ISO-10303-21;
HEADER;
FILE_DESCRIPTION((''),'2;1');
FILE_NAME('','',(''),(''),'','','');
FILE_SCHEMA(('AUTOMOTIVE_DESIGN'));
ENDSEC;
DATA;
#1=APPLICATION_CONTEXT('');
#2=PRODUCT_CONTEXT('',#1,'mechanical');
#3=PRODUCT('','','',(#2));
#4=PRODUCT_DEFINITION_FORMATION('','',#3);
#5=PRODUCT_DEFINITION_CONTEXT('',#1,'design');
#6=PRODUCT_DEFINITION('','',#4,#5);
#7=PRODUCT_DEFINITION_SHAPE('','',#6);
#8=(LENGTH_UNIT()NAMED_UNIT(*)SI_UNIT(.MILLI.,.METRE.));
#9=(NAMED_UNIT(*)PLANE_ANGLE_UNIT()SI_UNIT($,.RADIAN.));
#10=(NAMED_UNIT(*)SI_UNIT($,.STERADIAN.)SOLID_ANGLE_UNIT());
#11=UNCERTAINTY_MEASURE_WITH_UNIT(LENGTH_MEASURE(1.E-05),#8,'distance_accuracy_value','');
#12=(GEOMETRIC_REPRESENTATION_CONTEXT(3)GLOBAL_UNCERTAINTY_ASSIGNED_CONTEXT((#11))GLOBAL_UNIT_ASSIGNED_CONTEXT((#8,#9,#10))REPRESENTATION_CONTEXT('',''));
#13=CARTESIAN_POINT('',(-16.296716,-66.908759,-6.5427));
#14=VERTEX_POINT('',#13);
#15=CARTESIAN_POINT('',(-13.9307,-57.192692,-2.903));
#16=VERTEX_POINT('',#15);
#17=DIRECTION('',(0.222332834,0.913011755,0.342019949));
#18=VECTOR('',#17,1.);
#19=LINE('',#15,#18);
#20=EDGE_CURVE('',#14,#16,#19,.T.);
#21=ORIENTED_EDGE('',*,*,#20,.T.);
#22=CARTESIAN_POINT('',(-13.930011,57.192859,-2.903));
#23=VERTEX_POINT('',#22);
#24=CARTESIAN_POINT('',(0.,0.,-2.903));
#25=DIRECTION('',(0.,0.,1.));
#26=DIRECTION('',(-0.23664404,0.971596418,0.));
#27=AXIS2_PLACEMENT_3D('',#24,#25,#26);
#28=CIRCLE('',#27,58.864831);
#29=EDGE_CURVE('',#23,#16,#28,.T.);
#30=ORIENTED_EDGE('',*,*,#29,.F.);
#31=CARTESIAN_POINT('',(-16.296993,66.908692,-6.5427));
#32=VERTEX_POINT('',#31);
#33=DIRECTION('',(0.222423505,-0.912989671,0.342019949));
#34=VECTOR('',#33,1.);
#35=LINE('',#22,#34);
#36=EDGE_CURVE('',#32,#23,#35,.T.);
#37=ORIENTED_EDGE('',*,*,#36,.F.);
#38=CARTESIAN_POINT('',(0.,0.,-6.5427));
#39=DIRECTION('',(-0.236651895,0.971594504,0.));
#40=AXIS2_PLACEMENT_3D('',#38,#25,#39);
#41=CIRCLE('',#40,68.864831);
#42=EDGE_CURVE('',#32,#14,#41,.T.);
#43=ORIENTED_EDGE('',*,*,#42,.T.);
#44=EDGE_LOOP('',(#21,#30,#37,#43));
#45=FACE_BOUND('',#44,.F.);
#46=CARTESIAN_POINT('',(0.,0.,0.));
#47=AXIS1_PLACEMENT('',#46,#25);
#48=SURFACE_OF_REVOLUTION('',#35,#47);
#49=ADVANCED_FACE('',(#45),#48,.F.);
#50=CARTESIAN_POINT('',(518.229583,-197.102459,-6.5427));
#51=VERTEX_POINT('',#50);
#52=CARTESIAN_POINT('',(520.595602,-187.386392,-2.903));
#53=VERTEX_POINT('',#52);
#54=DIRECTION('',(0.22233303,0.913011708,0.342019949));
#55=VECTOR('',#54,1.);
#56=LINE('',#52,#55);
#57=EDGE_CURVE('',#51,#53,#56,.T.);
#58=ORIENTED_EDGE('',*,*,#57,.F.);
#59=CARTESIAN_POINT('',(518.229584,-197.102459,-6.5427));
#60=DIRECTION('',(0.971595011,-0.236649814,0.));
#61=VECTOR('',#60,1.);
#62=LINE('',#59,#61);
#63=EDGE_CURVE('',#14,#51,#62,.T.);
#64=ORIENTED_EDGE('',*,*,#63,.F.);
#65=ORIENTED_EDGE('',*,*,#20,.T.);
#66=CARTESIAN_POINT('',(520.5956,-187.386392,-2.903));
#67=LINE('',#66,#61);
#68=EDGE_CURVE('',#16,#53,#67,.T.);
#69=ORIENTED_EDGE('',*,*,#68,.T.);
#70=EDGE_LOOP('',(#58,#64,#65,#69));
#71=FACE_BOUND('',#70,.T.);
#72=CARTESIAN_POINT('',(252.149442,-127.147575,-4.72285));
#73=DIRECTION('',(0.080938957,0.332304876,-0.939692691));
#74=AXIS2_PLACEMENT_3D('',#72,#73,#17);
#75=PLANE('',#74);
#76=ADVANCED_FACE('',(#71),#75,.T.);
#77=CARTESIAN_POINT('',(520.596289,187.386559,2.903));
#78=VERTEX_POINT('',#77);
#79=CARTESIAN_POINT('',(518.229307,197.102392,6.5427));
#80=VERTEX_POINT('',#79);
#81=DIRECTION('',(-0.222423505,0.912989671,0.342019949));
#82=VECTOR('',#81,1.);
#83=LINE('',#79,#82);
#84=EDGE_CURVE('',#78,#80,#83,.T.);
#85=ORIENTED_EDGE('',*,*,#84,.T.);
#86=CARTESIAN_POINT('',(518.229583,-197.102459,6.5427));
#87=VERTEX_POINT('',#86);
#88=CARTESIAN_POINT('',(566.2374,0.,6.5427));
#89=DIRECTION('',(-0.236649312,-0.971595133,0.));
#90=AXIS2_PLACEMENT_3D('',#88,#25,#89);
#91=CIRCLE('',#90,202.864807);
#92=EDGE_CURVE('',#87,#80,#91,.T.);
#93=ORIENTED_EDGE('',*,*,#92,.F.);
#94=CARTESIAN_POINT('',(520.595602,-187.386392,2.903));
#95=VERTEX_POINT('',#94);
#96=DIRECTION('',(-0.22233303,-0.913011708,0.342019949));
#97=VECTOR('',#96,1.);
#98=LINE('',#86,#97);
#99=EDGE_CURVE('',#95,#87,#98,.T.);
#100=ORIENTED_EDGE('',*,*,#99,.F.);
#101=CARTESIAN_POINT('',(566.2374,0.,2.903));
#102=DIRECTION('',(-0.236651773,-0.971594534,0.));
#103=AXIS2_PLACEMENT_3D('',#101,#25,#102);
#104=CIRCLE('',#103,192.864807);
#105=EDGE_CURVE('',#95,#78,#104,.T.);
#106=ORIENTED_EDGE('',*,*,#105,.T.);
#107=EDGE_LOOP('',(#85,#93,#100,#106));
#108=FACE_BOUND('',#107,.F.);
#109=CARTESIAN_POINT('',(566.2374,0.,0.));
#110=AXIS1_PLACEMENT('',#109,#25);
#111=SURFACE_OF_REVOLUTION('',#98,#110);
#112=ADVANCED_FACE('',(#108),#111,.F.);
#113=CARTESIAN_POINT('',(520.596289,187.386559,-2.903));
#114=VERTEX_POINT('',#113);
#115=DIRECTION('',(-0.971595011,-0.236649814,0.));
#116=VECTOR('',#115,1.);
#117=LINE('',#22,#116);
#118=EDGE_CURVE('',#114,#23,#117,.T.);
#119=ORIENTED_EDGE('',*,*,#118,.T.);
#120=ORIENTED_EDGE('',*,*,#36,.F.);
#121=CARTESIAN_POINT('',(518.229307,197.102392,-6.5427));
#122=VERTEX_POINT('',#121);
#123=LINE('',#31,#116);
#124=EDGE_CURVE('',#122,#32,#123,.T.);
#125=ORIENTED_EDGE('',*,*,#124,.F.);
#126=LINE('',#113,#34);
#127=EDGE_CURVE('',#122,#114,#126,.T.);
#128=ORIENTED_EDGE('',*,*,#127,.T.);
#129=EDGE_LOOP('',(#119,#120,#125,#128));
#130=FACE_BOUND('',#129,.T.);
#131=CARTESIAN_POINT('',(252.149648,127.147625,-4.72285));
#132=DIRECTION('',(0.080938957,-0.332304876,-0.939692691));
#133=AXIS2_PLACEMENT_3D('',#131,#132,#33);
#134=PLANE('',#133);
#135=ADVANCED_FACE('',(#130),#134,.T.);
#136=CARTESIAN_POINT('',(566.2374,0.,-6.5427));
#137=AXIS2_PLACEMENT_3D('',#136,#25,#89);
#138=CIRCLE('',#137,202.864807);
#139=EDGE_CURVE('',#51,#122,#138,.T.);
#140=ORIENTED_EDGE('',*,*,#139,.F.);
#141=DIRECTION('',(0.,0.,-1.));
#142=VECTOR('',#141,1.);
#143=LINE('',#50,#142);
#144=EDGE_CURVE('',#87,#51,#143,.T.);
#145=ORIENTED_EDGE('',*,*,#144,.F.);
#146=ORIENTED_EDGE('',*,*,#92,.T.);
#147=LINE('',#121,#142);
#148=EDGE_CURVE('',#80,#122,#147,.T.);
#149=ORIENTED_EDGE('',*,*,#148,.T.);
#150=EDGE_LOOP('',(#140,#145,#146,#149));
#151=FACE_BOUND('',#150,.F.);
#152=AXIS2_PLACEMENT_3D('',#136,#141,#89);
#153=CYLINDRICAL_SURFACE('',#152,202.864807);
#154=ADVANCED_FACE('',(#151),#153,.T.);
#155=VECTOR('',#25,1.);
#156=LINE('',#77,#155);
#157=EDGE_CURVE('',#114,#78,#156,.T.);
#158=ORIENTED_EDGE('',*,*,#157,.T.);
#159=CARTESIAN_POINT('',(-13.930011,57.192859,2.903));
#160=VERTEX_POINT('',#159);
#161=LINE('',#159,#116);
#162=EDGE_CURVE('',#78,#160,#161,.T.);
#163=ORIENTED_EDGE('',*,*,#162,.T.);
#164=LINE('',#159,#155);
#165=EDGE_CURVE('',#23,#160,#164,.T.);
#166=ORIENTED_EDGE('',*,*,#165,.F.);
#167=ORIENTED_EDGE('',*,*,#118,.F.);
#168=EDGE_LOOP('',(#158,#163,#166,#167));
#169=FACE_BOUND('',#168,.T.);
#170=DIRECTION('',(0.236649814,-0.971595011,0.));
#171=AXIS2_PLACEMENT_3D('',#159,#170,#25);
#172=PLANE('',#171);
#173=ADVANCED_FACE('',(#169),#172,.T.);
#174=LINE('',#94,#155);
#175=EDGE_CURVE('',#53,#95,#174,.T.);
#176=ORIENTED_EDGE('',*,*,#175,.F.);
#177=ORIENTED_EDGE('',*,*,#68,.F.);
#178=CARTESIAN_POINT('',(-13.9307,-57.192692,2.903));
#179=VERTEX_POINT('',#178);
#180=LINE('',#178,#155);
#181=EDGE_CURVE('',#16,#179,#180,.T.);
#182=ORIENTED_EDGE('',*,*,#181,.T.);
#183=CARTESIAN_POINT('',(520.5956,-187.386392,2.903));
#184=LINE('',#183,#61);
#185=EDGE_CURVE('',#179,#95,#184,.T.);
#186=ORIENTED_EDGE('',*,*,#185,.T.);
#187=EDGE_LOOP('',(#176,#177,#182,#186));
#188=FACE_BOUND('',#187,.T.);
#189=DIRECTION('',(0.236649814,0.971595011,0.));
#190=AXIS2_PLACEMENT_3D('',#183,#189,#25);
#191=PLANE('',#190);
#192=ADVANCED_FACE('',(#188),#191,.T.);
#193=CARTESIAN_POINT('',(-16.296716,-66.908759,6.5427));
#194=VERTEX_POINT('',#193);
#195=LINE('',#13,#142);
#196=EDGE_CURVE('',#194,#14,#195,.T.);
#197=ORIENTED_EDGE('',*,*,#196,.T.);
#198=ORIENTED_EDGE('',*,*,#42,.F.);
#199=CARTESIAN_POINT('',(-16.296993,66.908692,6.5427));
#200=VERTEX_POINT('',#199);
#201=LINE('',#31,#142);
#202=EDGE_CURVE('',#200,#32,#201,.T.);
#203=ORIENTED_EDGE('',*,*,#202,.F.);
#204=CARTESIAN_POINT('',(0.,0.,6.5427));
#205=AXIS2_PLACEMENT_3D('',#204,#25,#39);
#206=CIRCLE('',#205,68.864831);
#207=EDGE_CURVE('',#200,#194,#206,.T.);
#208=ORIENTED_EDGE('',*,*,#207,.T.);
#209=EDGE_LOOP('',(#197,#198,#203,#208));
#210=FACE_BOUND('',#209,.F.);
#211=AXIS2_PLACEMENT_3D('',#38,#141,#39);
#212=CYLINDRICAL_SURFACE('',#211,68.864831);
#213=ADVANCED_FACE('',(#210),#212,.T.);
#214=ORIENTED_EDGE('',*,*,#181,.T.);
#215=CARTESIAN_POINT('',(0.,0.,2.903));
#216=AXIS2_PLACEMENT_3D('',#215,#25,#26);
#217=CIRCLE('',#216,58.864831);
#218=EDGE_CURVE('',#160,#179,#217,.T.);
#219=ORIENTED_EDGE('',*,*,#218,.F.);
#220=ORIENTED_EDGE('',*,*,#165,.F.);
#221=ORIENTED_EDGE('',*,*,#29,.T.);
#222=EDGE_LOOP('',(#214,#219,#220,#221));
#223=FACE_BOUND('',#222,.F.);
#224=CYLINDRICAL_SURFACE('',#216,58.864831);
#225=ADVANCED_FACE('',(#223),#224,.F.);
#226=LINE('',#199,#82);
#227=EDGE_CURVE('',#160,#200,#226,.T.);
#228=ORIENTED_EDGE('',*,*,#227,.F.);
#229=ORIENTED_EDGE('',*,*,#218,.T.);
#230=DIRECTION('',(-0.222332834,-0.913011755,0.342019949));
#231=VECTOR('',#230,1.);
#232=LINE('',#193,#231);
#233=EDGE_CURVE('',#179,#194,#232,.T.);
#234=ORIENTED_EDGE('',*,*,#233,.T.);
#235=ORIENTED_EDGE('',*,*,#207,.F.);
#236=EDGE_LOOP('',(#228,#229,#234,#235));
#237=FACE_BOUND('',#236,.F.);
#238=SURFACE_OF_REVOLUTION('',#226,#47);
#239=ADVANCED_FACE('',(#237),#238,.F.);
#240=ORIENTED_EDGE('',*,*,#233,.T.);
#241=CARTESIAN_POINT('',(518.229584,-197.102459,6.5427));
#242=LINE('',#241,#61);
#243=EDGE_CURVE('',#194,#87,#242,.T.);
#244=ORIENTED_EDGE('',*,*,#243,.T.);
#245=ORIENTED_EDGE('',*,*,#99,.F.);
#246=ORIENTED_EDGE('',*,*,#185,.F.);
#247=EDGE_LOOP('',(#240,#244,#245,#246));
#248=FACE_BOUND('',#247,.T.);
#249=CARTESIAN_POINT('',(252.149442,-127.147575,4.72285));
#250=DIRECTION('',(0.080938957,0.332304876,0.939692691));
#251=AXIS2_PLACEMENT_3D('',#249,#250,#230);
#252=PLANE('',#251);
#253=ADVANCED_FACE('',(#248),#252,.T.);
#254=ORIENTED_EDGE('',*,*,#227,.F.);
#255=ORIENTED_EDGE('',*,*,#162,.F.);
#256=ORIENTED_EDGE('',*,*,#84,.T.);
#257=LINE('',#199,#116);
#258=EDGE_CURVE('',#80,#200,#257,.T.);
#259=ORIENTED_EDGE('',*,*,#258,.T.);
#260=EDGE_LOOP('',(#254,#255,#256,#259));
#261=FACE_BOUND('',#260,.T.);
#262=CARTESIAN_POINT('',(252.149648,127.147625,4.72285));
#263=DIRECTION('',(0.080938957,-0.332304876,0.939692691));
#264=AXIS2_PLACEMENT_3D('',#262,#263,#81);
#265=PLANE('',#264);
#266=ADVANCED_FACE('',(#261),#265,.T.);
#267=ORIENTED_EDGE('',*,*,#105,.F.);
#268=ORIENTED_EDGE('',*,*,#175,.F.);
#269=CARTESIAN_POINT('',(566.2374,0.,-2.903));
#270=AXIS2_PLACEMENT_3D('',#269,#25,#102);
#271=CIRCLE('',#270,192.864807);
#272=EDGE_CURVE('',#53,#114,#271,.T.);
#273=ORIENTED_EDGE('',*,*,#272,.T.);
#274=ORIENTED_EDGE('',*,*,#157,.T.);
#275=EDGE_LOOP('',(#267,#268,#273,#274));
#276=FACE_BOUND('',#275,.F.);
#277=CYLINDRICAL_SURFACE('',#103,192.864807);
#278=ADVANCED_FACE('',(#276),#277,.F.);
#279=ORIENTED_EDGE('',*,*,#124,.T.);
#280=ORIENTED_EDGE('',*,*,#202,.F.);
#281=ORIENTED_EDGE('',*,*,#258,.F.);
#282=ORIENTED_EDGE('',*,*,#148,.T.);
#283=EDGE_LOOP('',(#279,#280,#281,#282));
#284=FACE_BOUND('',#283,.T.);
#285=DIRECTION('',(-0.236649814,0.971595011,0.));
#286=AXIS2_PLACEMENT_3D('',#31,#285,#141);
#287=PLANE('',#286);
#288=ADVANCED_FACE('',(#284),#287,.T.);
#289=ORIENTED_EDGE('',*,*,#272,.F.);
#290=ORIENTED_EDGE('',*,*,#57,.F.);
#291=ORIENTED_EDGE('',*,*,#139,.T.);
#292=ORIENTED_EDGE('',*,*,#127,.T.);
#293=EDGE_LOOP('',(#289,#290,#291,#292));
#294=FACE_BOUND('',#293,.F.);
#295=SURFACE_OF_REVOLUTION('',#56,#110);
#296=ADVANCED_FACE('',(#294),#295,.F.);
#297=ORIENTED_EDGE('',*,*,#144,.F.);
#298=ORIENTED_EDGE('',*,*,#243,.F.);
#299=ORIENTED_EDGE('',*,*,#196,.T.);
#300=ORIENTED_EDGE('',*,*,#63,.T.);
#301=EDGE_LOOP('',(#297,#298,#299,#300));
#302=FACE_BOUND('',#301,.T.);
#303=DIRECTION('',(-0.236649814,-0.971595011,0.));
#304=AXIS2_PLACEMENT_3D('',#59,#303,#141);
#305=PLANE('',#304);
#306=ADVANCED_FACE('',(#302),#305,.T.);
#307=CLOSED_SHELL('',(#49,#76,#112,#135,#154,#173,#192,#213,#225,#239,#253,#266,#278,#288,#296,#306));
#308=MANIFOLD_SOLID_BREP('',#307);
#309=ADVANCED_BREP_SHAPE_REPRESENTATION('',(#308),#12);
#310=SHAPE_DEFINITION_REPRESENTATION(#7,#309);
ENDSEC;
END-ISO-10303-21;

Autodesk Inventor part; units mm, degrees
ref_plane "YZ Plane" through (0, 0, 0) normal (1, 0, 0) x (0, 1, 0)
ref_plane "XZ Plane" through (0, 0, 0) normal (0, 1, 0) x (-1, 0, 0)
sketch "Trayectoria de boceto" plane through (0, 0, 0) normal (0, 0, 1) x (1, 0, 0)
  arc A0 (-15.6189, 64.1253) -> (-15.6189, -64.1253) centre (0, 0) ccw
  arc A1 (518.9074, -194.319) -> (518.9074, 194.319) centre (566.2374, 0) ccw
  line L0 (518.9074, -194.319) -> (-15.6189, -64.1253)
  line L1 (-15.6189, 64.1253) -> (518.9074, 194.319)
ref_plane "Plano de sección transversal" through (-15.6189, -64.1253, 0) normal (0.9716, -0.2366, 0) x (0, 0, 1)
sketch "Sección transversal" plane through (-15.6189, -64.1253, 0) normal (0.9716, -0.2366, 0) x (0, 0, 1)
  line L0 (0, 2.8648) -> (0, -7.1352) construction
  line L1 (-5.5, 0) -> (5.5, 0) construction
  line L2 (-6.5427, 2.8648) -> (6.5427, 2.8648)
  line L3 (6.5427, 2.8648) -> (2.903, -7.1352)
  line L4 (2.903, -7.1352) -> (-2.903, -7.1352)
  line L5 (-2.903, -7.1352) -> (-6.5427, 2.8648)
  point P0 (0, 0)
  point P1 (0, 0)
  point P2 (0, 0)
  dimension "d0" = 11
  dimension "d1" = 2.8648
  dimension "d2" = 40
  dimension "d3" = 10
sweep "Correa" add profiles "Sección transversal" path "Trayectoria de boceto"
equation "\"d0\" = da_Bw"
equation "\"d1\" = da_Hw"
equation "\"d2\" = da_Alfa"
equation "\"d3\" = da_H"
equation "\"da_Alfa\" = 40deg"
equation "\"da_H\" = 10"
equation "\"da_Bw\" = 11"
equation "\"da_Hw\" = 2.86479"
properties part number "Correa trapezoidal" material "Rubber"
